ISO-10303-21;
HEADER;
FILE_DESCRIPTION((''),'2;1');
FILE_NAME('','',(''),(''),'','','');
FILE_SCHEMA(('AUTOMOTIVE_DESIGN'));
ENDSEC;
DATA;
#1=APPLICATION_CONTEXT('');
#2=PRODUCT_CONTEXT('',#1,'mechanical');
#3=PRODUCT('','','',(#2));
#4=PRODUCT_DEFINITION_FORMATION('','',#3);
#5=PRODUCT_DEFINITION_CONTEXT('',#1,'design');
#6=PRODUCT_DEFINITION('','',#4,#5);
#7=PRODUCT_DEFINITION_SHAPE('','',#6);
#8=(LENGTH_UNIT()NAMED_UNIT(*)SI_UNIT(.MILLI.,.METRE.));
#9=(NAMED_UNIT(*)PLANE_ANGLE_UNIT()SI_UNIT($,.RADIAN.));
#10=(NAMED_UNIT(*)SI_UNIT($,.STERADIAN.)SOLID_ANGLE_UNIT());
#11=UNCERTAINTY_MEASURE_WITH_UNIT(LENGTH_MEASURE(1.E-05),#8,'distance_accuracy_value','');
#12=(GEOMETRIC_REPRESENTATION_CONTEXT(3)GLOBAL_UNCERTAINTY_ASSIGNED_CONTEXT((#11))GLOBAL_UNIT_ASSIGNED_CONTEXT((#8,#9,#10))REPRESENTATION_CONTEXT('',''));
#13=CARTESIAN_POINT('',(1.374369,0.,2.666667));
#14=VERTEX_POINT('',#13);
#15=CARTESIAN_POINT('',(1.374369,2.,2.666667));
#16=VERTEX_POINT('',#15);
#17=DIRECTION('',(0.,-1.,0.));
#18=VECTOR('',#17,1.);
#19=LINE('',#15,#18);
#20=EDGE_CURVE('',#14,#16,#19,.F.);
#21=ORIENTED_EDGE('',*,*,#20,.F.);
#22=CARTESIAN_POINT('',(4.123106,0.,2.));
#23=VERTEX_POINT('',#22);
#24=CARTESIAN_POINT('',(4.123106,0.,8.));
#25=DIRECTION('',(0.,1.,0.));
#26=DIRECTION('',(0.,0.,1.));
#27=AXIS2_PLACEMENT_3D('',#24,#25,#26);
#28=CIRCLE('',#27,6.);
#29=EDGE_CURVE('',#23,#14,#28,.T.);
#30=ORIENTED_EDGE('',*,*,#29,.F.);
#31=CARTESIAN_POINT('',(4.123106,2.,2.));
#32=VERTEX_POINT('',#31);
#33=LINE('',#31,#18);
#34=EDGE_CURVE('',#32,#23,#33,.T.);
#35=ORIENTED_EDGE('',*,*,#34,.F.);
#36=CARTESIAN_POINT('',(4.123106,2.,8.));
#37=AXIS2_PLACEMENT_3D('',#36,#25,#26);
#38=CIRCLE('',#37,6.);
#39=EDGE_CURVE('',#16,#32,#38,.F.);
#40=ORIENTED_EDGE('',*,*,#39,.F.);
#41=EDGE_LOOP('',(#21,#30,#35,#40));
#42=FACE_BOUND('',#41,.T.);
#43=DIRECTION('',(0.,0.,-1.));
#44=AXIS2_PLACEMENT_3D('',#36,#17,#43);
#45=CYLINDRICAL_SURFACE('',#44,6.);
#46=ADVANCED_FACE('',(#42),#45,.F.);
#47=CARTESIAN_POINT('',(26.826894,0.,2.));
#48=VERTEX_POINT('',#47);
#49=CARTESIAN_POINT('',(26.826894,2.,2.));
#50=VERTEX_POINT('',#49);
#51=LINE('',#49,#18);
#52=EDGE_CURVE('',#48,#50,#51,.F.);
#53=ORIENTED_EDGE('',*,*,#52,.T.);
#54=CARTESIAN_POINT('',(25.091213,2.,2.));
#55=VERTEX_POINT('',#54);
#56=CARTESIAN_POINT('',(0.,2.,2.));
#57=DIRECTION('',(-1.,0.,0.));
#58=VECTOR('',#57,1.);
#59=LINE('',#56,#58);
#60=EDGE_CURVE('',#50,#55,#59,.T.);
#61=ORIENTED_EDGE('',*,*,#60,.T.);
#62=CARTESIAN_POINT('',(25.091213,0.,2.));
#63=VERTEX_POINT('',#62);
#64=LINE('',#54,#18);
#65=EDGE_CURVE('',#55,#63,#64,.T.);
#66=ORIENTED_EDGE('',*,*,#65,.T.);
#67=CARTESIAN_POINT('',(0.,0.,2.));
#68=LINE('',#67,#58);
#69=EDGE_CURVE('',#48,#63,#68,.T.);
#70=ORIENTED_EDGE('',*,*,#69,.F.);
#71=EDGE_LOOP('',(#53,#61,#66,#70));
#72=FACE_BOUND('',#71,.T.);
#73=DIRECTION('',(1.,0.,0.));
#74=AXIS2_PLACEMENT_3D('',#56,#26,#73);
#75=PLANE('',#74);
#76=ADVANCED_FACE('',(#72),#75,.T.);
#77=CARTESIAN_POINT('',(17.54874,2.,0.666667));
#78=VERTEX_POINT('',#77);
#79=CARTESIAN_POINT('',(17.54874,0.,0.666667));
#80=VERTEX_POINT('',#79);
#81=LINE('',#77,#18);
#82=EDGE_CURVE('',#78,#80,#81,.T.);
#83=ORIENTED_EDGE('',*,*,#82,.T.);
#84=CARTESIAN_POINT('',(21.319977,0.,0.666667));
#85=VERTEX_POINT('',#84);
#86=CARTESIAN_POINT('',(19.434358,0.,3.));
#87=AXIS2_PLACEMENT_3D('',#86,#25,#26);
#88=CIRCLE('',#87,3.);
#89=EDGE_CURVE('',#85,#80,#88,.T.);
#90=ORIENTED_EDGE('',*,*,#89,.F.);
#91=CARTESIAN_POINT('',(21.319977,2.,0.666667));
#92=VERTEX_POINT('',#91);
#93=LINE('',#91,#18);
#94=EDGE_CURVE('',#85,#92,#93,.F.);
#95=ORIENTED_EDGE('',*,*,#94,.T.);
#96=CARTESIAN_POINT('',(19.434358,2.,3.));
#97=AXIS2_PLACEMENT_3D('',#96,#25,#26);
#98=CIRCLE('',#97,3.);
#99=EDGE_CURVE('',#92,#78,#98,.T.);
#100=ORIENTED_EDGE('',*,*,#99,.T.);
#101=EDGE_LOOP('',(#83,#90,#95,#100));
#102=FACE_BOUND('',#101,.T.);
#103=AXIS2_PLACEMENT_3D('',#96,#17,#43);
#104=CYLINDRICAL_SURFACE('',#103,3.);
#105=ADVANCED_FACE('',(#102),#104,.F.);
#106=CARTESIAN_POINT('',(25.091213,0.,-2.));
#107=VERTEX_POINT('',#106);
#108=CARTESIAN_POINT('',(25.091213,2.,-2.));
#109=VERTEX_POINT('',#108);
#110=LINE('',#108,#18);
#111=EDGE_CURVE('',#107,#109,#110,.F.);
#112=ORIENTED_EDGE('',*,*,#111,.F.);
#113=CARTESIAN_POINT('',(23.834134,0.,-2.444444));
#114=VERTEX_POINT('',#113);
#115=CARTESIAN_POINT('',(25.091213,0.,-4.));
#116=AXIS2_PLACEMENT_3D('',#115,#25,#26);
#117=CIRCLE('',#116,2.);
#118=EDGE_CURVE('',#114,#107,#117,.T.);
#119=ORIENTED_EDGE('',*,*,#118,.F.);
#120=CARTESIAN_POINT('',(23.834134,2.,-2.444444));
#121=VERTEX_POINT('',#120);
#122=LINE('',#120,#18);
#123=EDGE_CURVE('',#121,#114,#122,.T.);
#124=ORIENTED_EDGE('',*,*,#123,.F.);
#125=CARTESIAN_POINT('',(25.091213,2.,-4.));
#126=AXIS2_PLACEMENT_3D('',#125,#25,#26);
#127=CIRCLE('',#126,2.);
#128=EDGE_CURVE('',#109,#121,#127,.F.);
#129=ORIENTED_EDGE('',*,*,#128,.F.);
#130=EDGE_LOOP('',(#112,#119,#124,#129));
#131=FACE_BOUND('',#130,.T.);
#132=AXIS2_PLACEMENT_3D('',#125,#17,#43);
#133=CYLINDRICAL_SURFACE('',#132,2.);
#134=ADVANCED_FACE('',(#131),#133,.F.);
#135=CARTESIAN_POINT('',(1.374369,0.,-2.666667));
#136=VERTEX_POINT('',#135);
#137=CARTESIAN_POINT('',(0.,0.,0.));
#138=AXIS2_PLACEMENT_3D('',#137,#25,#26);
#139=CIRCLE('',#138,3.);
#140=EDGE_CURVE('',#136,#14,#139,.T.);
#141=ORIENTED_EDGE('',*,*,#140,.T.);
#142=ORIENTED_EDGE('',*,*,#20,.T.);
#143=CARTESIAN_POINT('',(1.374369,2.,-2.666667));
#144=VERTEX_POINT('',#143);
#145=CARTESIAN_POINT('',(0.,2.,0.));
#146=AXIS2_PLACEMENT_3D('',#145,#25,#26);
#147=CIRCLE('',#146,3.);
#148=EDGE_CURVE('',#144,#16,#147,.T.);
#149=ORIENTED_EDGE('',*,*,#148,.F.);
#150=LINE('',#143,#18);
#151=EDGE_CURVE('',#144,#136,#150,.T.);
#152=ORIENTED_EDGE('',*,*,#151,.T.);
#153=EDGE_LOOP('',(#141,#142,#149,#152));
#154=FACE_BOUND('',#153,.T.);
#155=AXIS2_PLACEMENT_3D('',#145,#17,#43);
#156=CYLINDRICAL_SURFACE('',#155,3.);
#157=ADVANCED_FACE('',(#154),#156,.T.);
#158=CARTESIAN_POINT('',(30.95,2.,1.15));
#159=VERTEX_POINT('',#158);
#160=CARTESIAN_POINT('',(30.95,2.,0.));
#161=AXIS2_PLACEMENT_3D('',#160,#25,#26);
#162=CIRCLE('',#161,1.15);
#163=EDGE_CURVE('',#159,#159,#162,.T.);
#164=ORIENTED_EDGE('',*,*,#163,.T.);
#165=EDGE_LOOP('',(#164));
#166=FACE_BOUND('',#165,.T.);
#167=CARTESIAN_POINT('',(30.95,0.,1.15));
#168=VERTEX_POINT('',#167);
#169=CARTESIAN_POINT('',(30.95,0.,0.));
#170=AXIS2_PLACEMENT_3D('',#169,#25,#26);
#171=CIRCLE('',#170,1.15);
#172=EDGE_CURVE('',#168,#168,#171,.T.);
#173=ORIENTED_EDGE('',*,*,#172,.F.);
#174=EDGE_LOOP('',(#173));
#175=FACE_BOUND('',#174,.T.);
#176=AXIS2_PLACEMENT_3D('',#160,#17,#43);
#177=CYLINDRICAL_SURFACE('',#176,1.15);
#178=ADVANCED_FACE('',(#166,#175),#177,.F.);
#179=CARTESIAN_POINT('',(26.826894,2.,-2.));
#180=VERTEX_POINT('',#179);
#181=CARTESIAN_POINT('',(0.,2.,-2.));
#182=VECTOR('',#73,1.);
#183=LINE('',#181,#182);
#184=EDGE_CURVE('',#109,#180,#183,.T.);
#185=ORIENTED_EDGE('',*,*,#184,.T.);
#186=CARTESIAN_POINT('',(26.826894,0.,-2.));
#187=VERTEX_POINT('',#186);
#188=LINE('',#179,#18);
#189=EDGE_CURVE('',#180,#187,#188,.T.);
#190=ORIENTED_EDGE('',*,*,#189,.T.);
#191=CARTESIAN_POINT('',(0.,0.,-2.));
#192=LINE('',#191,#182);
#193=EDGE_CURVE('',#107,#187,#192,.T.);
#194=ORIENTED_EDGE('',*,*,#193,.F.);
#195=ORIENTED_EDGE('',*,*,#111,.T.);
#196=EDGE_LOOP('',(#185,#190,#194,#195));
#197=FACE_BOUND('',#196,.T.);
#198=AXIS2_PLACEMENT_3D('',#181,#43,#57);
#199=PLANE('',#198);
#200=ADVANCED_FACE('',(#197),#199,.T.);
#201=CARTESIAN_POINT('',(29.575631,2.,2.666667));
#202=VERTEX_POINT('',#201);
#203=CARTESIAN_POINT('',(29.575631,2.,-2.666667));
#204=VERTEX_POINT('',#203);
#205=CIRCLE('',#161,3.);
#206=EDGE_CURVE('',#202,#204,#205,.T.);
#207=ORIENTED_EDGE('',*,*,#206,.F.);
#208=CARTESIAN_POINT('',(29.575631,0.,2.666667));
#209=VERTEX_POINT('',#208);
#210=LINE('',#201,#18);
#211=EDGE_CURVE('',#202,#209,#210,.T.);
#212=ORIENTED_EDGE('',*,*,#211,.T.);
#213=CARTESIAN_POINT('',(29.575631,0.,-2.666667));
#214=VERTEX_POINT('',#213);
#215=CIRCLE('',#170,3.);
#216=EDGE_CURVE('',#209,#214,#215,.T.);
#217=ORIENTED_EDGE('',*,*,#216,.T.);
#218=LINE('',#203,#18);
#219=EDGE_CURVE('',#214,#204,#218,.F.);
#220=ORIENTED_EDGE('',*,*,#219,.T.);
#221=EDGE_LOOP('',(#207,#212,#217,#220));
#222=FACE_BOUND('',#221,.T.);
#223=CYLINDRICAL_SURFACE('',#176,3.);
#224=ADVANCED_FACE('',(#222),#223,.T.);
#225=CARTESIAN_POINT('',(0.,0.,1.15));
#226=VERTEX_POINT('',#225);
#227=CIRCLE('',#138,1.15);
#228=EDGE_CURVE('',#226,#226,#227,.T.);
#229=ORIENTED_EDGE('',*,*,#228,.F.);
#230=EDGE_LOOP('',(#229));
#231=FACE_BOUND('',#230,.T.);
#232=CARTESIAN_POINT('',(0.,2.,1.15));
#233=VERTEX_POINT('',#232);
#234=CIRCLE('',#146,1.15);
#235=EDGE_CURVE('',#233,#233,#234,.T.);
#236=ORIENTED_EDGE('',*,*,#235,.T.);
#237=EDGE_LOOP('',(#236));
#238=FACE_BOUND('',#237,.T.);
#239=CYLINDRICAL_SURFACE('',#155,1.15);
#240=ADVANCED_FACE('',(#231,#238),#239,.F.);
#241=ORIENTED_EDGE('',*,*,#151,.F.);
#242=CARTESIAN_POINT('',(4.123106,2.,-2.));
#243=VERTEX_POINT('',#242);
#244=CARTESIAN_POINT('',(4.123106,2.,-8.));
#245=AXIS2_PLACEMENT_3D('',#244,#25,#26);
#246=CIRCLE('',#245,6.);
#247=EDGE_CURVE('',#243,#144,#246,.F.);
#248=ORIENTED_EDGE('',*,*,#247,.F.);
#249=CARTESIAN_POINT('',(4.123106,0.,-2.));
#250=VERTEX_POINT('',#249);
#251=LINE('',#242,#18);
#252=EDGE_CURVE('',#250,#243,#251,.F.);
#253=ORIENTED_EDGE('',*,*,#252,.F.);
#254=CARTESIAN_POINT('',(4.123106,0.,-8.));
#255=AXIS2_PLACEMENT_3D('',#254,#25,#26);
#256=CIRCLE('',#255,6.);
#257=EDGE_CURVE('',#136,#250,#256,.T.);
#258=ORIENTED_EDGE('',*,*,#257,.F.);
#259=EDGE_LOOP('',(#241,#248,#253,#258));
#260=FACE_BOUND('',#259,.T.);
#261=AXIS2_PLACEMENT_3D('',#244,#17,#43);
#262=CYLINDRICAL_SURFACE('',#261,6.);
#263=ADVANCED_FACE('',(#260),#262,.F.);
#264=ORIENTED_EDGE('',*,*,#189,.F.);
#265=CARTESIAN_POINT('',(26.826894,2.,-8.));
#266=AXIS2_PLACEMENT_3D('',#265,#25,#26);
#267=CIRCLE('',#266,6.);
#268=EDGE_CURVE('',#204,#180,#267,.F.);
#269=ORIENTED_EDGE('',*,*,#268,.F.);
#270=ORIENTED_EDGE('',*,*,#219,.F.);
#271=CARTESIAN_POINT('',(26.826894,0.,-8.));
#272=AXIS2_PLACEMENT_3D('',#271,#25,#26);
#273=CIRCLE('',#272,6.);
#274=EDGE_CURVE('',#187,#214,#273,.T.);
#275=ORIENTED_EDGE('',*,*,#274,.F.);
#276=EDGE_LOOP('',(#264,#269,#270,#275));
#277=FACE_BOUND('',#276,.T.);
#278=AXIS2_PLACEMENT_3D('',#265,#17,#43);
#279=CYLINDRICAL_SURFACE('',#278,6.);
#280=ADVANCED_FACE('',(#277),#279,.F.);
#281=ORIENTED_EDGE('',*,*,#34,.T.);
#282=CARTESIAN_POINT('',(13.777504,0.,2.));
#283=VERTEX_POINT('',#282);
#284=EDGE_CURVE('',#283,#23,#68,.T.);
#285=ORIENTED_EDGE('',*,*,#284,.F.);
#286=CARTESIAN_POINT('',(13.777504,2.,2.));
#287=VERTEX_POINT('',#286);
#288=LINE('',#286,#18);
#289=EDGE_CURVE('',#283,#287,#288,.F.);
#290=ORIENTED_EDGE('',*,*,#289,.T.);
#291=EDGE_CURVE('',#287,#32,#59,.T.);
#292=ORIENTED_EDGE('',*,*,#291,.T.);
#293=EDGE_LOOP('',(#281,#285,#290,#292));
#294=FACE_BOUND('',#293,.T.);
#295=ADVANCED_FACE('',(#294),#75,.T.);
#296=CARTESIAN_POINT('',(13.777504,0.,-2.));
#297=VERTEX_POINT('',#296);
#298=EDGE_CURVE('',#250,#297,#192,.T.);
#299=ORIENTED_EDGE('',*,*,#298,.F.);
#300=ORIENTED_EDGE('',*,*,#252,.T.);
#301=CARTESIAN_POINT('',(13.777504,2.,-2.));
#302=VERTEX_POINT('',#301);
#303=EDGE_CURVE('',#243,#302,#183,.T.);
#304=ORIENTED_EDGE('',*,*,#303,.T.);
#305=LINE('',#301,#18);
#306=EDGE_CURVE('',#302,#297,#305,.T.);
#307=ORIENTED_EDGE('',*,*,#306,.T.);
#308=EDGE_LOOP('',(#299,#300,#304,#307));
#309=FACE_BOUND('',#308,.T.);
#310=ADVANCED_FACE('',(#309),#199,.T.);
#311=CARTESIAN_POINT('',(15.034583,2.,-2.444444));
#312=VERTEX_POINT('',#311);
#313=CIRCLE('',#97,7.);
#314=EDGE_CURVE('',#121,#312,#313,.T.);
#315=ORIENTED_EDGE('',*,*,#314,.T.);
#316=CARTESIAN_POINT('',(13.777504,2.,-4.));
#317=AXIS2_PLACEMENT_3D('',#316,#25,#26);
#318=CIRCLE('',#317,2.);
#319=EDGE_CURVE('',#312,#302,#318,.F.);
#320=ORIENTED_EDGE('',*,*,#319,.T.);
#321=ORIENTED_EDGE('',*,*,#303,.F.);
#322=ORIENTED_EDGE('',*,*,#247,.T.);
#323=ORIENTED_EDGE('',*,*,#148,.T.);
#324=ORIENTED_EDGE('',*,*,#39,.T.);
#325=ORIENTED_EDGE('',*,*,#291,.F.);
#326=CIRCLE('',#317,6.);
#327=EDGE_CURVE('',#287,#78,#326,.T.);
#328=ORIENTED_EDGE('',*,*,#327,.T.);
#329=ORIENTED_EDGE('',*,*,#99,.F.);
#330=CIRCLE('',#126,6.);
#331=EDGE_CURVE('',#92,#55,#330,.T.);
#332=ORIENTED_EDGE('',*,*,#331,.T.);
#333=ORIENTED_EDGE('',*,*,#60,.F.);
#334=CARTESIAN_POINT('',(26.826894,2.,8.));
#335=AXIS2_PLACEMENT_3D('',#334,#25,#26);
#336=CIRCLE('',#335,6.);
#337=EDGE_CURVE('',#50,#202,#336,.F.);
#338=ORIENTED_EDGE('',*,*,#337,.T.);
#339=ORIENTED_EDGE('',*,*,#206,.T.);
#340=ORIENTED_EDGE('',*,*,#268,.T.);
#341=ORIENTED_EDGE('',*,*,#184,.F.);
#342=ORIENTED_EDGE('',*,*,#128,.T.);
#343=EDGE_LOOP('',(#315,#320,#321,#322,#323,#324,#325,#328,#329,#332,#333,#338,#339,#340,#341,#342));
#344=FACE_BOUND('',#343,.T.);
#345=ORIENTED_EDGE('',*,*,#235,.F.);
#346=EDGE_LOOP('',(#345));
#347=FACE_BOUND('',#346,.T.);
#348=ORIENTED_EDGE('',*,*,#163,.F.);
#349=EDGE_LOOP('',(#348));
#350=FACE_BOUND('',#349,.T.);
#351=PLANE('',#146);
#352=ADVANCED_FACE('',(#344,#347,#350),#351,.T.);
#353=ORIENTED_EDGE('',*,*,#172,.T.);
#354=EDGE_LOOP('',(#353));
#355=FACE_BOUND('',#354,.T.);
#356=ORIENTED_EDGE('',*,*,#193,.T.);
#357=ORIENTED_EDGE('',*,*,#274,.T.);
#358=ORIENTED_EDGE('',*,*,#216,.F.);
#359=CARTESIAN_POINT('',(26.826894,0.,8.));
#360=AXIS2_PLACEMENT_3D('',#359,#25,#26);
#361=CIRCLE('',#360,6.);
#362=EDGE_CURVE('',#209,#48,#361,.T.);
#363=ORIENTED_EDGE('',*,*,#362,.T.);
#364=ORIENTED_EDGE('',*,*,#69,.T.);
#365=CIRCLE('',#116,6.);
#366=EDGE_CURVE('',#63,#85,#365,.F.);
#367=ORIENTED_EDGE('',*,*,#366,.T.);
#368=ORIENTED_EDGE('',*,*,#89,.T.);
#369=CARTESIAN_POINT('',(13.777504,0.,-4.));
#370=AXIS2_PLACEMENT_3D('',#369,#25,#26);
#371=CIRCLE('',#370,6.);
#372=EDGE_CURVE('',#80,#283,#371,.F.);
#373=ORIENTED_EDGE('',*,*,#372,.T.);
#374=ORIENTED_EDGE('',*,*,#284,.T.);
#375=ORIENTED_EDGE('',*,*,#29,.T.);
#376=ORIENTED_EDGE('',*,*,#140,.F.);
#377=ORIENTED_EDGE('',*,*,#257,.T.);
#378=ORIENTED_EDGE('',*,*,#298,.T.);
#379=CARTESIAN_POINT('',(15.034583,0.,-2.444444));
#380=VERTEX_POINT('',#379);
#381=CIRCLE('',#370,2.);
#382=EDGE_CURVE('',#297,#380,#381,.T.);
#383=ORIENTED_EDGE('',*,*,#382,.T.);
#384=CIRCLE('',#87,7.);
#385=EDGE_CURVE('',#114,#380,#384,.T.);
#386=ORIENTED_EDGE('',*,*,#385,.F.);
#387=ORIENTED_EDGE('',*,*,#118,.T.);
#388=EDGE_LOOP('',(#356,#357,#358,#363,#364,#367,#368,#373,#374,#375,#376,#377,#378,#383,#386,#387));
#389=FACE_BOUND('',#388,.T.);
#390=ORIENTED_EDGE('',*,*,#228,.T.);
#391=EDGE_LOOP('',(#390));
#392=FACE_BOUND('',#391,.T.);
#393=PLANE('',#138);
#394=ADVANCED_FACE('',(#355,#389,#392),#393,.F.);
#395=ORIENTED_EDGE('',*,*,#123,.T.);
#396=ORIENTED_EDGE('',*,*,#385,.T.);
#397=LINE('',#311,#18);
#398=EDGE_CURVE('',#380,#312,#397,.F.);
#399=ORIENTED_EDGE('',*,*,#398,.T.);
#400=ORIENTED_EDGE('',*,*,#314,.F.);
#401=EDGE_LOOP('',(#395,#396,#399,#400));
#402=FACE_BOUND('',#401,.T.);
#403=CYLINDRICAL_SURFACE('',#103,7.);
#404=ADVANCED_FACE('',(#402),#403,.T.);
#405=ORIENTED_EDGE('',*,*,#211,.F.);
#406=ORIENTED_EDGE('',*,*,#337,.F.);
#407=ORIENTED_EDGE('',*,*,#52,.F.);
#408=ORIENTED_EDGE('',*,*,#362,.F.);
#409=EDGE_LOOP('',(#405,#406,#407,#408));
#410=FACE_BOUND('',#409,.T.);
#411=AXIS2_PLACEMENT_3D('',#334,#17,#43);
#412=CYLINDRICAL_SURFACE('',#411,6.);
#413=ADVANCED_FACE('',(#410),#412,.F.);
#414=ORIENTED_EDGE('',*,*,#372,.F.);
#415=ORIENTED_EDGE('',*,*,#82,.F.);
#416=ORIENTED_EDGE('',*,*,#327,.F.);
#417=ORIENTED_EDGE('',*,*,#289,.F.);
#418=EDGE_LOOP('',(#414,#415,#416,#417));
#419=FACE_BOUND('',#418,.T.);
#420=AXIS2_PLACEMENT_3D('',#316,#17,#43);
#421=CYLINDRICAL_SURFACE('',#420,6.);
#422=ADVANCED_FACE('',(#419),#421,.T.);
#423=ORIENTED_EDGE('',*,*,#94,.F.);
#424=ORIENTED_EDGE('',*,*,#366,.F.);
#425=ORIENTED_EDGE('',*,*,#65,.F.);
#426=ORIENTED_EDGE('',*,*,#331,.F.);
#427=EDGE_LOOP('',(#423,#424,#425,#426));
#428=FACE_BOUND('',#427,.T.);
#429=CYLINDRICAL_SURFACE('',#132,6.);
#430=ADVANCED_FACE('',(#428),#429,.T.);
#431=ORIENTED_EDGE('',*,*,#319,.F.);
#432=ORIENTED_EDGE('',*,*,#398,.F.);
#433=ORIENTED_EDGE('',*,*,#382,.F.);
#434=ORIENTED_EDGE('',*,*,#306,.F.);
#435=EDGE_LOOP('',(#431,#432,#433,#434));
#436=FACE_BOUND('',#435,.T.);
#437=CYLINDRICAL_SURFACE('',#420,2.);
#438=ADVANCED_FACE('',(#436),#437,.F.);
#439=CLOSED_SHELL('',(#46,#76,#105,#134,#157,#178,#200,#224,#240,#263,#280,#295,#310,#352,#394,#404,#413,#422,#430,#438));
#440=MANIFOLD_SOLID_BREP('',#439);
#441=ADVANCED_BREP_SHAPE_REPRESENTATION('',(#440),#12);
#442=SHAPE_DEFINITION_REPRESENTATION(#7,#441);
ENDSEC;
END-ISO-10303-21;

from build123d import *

# Parameters (mm, degrees)
SKETCH_1_R      = 1.15
EXTRUDE_1_DEPTH = 2
FILLET_1_R      = 6
FILLET_2_R      = 6
FILLET_3_R      = 2


with BuildPart() as part:
    # Эскиз1 → Бобышка-Вытянуть1 (new body)
    with BuildSketch(Plane(origin=(0, 0, 0), x_dir=(1, 0, 0), z_dir=(0, 1, 0))):
        with BuildLine():
            Line((2.236067977, -2), (16.605931339, -2))
            ThreePointArc((16.605931339, -2), (19.434358463, 0), (22.262785588, -2))
            Line((22.262785588, -2), (28.713932023, -2))
            ThreePointArc((28.713932023, -2), (33.95, 0), (28.713932023, 2))
            Line((28.713932023, 2), (24.333337949, 2))
            ThreePointArc((24.333337949, 2), (19.434358463, 4), (14.535378978, 2))
            Line((14.535378978, 2), (2.236067977, 2))
            ThreePointArc((2.236067977, 2), (-3, 0), (2.236067977, -2))
        make_face()
        with Locations(Location((0, 0, 0), (0, 0, 270))):
            Circle(SKETCH_1_R, mode=Mode.SUBTRACT)
        with Locations(Location((30.95, 0, 0), (0, 0, 270))):
            Circle(SKETCH_1_R, mode=Mode.SUBTRACT)
    extrude(amount=EXTRUDE_1_DEPTH)

    # Скругление1
    fillet_1_edges = [part.edges().sort_by_distance(p)[0] for p in [
        (2.236067977, 1, 2),
        (2.236067977, 1, -2),
        (28.713932023, 1, -2),
        (28.713932023, 1, 2),
    ]]
    fillet(fillet_1_edges, radius=FILLET_1_R)

    # Скругление2
    fillet_2_edges = [part.edges().sort_by_distance(p)[0] for p in [
        (22.262785588, 1, 2),
        (16.605931339, 1, 2),
    ]]
    fillet(fillet_2_edges, radius=FILLET_2_R)

    # Скругление3
    fillet_3_edges = [part.edges().sort_by_distance(p)[0] for p in [
        (14.535378978, 1, -2),
        (24.333337949, 1, -2),
    ]]
    fillet(fillet_3_edges, radius=FILLET_3_R)


solid = part.part
